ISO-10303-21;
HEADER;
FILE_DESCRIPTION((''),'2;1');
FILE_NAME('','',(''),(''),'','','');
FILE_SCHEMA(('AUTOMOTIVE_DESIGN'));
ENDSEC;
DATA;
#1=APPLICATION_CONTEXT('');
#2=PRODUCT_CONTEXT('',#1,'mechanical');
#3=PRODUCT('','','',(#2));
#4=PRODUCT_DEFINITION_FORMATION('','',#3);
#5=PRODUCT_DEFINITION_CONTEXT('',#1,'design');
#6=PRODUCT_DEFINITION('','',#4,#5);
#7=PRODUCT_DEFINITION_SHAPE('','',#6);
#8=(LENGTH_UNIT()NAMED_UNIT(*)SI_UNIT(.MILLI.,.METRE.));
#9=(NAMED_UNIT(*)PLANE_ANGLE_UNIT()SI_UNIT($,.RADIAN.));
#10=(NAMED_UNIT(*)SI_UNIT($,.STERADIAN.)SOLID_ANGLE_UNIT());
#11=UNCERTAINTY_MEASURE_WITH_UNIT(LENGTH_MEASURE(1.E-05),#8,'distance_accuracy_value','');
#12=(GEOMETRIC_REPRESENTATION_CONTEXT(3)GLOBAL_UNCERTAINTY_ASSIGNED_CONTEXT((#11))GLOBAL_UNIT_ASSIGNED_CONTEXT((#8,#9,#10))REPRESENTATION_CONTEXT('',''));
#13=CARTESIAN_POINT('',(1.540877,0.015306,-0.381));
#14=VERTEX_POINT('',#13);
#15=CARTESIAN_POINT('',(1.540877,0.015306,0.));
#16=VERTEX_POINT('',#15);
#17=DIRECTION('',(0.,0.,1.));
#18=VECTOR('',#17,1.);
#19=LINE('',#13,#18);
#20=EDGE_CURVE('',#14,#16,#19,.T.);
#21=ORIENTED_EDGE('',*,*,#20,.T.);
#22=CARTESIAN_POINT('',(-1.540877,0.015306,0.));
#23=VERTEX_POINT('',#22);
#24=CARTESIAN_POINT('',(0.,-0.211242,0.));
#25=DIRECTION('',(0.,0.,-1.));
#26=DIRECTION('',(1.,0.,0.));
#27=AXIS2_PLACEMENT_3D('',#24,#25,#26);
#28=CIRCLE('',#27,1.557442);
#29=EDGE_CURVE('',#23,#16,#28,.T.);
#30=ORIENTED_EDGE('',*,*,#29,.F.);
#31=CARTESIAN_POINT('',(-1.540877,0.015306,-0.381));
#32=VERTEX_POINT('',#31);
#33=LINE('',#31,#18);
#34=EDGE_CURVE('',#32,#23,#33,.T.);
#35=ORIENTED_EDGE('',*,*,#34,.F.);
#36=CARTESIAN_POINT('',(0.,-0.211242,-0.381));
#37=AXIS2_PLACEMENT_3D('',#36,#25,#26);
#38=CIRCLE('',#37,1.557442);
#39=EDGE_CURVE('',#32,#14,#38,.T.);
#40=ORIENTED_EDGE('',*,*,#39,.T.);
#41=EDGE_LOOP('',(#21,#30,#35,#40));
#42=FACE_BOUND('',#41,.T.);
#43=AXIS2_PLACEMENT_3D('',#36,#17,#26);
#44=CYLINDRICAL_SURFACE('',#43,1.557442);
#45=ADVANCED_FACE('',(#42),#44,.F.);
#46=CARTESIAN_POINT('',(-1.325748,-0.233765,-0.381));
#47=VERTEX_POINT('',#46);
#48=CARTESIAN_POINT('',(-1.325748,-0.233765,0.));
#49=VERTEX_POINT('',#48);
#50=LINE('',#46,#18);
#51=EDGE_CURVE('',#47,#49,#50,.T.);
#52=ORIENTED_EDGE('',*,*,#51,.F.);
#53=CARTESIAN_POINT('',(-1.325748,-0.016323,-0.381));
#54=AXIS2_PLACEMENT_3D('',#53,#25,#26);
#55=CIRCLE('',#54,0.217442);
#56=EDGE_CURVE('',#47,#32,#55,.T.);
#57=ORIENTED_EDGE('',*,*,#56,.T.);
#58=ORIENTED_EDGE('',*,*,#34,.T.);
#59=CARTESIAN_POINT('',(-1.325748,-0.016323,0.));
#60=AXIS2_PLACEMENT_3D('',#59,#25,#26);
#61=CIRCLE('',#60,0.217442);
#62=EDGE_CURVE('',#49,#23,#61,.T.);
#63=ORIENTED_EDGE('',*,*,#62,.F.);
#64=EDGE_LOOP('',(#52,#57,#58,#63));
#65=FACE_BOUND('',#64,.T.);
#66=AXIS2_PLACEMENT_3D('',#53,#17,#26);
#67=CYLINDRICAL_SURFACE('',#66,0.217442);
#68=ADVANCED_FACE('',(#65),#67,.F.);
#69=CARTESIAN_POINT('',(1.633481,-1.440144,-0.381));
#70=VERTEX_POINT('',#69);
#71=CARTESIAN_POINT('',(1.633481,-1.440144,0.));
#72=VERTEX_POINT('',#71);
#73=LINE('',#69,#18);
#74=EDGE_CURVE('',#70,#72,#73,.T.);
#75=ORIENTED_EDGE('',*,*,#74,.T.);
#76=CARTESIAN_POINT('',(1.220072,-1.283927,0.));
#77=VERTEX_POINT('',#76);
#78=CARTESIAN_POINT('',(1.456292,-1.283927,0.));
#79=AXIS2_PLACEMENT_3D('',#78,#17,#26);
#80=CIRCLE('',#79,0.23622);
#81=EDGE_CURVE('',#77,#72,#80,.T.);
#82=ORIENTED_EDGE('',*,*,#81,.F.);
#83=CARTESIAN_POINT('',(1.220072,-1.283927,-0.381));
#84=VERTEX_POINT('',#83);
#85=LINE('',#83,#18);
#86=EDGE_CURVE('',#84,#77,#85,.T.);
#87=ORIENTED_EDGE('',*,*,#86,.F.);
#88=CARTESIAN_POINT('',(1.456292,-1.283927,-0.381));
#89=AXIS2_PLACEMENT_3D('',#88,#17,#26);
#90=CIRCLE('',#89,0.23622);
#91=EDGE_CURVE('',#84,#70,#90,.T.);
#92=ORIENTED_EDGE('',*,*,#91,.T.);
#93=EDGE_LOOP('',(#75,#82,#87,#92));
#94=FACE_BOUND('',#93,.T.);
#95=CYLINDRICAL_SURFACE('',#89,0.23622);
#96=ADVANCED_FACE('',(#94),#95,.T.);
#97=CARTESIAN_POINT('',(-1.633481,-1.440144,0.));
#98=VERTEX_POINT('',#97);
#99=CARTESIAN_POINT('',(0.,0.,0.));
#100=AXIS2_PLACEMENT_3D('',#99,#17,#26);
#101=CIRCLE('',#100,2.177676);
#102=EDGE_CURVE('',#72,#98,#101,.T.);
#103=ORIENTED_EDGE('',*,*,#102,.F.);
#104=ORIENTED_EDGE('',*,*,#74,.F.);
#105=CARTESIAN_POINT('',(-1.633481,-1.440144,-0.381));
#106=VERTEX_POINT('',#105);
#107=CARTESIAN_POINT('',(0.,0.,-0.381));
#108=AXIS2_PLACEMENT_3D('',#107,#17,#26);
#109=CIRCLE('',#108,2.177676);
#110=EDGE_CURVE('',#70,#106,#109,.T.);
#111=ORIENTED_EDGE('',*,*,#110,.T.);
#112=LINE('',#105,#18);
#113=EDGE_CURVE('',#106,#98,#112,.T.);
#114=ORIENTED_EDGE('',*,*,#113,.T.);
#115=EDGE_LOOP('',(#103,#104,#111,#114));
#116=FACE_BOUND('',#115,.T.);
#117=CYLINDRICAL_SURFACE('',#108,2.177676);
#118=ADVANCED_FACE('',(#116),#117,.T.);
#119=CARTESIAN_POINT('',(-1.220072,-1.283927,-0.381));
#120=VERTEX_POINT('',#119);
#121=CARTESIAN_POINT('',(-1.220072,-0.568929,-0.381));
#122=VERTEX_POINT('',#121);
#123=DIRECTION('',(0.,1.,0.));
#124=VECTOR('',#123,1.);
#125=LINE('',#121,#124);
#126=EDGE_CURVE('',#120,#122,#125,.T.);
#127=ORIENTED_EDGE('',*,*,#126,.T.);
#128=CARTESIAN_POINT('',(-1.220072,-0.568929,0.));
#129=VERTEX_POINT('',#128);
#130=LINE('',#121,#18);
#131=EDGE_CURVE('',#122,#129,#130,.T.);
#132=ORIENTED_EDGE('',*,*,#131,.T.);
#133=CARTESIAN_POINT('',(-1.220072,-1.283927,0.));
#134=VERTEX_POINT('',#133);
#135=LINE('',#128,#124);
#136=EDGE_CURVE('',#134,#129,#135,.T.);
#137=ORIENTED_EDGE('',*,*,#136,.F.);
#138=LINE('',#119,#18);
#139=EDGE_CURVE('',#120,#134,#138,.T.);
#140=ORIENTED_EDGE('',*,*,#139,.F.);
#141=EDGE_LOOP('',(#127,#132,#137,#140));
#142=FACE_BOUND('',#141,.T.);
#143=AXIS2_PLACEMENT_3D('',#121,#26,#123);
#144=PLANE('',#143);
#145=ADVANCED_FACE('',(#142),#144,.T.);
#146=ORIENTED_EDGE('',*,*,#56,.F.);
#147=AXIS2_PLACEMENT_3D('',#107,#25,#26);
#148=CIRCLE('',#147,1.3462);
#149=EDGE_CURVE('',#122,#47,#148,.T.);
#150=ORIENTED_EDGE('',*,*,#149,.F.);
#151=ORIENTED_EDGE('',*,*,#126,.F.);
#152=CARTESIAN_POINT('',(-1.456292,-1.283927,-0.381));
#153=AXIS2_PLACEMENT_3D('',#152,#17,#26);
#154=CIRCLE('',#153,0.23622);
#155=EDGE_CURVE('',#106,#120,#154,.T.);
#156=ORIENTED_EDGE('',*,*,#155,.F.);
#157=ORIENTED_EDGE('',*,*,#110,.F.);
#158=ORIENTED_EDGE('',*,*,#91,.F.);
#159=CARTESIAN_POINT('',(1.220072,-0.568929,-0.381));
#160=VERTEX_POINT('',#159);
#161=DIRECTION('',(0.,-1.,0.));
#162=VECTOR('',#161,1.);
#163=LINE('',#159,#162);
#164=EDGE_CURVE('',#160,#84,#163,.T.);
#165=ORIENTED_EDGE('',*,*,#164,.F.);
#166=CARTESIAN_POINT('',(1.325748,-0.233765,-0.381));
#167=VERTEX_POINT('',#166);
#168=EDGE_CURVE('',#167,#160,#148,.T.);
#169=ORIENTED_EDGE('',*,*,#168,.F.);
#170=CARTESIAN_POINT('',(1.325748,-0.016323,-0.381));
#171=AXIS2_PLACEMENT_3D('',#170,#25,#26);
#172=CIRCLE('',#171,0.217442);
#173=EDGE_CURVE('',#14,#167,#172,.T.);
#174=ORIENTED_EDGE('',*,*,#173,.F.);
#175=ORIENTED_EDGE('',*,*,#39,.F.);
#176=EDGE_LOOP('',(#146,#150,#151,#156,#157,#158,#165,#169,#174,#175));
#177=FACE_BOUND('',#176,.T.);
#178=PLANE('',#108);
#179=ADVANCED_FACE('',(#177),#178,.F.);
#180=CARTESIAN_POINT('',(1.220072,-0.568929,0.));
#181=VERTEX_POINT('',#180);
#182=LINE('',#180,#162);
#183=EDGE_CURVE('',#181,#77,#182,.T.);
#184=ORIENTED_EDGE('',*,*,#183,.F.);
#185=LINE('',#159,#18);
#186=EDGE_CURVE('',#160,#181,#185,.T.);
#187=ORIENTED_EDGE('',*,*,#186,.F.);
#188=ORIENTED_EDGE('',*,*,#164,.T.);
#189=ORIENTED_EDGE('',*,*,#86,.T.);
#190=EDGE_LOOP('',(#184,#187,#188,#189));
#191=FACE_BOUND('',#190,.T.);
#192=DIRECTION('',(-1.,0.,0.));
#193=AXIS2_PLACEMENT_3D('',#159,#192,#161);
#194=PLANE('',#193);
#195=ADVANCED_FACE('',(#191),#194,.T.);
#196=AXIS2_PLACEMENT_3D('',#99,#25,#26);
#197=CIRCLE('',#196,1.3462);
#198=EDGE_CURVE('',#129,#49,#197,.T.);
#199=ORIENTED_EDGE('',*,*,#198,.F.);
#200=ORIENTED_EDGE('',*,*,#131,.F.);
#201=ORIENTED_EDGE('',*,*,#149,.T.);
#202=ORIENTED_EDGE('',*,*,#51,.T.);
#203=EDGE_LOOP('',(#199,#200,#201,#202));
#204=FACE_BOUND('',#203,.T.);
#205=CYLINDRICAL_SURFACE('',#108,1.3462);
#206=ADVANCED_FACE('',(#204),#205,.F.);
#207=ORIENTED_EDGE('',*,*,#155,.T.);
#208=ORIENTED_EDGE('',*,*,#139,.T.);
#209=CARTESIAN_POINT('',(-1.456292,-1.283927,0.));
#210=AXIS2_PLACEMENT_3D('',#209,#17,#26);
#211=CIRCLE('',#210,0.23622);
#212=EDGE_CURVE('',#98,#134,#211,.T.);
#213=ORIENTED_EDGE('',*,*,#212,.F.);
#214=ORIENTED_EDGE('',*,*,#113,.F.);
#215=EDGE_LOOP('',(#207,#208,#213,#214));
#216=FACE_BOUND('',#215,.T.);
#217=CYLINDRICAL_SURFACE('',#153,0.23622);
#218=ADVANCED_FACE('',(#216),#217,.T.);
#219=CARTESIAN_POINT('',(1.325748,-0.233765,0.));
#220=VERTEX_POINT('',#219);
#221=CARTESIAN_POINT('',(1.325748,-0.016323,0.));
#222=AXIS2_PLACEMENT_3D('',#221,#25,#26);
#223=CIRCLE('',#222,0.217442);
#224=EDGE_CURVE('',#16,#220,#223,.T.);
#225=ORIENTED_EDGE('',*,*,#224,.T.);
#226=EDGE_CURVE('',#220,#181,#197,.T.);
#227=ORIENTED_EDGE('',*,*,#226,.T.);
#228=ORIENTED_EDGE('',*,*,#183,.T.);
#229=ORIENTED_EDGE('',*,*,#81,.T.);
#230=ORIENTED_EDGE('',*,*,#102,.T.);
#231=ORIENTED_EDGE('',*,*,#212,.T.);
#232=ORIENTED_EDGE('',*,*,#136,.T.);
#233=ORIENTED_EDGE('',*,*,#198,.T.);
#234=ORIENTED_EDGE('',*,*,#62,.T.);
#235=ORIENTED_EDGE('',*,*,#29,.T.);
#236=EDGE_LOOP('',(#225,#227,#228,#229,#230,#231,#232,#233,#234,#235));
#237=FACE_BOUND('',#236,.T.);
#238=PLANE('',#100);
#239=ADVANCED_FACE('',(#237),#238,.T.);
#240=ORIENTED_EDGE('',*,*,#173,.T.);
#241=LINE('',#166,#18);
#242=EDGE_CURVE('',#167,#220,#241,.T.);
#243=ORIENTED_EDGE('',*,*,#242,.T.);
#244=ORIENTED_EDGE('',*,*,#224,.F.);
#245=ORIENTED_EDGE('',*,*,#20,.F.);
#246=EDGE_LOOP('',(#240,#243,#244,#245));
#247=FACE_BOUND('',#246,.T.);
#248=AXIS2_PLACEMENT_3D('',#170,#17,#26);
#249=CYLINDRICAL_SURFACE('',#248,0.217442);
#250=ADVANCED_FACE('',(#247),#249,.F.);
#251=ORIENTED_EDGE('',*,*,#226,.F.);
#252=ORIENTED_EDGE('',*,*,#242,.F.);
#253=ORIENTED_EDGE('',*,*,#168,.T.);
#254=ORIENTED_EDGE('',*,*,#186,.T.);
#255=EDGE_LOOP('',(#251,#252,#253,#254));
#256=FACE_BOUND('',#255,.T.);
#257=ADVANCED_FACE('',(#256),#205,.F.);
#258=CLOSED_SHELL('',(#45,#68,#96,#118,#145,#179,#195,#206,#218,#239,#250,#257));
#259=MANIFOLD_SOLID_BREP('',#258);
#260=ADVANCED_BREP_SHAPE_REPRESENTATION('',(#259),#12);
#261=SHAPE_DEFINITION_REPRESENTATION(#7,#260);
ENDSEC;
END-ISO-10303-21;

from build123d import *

# Parameters (mm, degrees)
BODY_DEPTH = 0.381


with BuildPart() as part:
    # BodySke → Body (new body)
    with BuildSketch(Plane.XY):
        with BuildLine():
            Line((1.220071543, -0.568928704), (1.220071543, -1.283926855))
            ThreePointArc((1.220071543, -1.283926855), (1.3727923, -1.504896909), (1.633480779, -1.440144214))
            ThreePointArc((1.633480779, -1.440144214), (0, 2.177676471), (-1.633480779, -1.440144214))
            ThreePointArc((-1.633480779, -1.440144214), (-1.3727923, -1.504896909), (-1.220071543, -1.283926855))
            Line((-1.220071543, -1.283926855), (-1.220071543, -0.568928704))
            ThreePointArc((-1.220071543, -0.568928704), (-1.283893759, -0.404810147), (-1.325748197, -0.233765177))
            ThreePointArc((-1.325748197, -0.233765177), (-1.490305885, -0.158456032), (-1.540877178, 0.015306002))
            ThreePointArc((-1.540877178, 0.015306002), (0, 1.3462), (1.540877178, 0.015306002))
            ThreePointArc((1.540877178, 0.015306002), (1.490305885, -0.158456032), (1.325748197, -0.233765177))
            ThreePointArc((1.325748197, -0.233765177), (1.283893759, -0.404810147), (1.220071543, -0.568928704))
        make_face()
    extrude(amount=-BODY_DEPTH)


solid = part.part
